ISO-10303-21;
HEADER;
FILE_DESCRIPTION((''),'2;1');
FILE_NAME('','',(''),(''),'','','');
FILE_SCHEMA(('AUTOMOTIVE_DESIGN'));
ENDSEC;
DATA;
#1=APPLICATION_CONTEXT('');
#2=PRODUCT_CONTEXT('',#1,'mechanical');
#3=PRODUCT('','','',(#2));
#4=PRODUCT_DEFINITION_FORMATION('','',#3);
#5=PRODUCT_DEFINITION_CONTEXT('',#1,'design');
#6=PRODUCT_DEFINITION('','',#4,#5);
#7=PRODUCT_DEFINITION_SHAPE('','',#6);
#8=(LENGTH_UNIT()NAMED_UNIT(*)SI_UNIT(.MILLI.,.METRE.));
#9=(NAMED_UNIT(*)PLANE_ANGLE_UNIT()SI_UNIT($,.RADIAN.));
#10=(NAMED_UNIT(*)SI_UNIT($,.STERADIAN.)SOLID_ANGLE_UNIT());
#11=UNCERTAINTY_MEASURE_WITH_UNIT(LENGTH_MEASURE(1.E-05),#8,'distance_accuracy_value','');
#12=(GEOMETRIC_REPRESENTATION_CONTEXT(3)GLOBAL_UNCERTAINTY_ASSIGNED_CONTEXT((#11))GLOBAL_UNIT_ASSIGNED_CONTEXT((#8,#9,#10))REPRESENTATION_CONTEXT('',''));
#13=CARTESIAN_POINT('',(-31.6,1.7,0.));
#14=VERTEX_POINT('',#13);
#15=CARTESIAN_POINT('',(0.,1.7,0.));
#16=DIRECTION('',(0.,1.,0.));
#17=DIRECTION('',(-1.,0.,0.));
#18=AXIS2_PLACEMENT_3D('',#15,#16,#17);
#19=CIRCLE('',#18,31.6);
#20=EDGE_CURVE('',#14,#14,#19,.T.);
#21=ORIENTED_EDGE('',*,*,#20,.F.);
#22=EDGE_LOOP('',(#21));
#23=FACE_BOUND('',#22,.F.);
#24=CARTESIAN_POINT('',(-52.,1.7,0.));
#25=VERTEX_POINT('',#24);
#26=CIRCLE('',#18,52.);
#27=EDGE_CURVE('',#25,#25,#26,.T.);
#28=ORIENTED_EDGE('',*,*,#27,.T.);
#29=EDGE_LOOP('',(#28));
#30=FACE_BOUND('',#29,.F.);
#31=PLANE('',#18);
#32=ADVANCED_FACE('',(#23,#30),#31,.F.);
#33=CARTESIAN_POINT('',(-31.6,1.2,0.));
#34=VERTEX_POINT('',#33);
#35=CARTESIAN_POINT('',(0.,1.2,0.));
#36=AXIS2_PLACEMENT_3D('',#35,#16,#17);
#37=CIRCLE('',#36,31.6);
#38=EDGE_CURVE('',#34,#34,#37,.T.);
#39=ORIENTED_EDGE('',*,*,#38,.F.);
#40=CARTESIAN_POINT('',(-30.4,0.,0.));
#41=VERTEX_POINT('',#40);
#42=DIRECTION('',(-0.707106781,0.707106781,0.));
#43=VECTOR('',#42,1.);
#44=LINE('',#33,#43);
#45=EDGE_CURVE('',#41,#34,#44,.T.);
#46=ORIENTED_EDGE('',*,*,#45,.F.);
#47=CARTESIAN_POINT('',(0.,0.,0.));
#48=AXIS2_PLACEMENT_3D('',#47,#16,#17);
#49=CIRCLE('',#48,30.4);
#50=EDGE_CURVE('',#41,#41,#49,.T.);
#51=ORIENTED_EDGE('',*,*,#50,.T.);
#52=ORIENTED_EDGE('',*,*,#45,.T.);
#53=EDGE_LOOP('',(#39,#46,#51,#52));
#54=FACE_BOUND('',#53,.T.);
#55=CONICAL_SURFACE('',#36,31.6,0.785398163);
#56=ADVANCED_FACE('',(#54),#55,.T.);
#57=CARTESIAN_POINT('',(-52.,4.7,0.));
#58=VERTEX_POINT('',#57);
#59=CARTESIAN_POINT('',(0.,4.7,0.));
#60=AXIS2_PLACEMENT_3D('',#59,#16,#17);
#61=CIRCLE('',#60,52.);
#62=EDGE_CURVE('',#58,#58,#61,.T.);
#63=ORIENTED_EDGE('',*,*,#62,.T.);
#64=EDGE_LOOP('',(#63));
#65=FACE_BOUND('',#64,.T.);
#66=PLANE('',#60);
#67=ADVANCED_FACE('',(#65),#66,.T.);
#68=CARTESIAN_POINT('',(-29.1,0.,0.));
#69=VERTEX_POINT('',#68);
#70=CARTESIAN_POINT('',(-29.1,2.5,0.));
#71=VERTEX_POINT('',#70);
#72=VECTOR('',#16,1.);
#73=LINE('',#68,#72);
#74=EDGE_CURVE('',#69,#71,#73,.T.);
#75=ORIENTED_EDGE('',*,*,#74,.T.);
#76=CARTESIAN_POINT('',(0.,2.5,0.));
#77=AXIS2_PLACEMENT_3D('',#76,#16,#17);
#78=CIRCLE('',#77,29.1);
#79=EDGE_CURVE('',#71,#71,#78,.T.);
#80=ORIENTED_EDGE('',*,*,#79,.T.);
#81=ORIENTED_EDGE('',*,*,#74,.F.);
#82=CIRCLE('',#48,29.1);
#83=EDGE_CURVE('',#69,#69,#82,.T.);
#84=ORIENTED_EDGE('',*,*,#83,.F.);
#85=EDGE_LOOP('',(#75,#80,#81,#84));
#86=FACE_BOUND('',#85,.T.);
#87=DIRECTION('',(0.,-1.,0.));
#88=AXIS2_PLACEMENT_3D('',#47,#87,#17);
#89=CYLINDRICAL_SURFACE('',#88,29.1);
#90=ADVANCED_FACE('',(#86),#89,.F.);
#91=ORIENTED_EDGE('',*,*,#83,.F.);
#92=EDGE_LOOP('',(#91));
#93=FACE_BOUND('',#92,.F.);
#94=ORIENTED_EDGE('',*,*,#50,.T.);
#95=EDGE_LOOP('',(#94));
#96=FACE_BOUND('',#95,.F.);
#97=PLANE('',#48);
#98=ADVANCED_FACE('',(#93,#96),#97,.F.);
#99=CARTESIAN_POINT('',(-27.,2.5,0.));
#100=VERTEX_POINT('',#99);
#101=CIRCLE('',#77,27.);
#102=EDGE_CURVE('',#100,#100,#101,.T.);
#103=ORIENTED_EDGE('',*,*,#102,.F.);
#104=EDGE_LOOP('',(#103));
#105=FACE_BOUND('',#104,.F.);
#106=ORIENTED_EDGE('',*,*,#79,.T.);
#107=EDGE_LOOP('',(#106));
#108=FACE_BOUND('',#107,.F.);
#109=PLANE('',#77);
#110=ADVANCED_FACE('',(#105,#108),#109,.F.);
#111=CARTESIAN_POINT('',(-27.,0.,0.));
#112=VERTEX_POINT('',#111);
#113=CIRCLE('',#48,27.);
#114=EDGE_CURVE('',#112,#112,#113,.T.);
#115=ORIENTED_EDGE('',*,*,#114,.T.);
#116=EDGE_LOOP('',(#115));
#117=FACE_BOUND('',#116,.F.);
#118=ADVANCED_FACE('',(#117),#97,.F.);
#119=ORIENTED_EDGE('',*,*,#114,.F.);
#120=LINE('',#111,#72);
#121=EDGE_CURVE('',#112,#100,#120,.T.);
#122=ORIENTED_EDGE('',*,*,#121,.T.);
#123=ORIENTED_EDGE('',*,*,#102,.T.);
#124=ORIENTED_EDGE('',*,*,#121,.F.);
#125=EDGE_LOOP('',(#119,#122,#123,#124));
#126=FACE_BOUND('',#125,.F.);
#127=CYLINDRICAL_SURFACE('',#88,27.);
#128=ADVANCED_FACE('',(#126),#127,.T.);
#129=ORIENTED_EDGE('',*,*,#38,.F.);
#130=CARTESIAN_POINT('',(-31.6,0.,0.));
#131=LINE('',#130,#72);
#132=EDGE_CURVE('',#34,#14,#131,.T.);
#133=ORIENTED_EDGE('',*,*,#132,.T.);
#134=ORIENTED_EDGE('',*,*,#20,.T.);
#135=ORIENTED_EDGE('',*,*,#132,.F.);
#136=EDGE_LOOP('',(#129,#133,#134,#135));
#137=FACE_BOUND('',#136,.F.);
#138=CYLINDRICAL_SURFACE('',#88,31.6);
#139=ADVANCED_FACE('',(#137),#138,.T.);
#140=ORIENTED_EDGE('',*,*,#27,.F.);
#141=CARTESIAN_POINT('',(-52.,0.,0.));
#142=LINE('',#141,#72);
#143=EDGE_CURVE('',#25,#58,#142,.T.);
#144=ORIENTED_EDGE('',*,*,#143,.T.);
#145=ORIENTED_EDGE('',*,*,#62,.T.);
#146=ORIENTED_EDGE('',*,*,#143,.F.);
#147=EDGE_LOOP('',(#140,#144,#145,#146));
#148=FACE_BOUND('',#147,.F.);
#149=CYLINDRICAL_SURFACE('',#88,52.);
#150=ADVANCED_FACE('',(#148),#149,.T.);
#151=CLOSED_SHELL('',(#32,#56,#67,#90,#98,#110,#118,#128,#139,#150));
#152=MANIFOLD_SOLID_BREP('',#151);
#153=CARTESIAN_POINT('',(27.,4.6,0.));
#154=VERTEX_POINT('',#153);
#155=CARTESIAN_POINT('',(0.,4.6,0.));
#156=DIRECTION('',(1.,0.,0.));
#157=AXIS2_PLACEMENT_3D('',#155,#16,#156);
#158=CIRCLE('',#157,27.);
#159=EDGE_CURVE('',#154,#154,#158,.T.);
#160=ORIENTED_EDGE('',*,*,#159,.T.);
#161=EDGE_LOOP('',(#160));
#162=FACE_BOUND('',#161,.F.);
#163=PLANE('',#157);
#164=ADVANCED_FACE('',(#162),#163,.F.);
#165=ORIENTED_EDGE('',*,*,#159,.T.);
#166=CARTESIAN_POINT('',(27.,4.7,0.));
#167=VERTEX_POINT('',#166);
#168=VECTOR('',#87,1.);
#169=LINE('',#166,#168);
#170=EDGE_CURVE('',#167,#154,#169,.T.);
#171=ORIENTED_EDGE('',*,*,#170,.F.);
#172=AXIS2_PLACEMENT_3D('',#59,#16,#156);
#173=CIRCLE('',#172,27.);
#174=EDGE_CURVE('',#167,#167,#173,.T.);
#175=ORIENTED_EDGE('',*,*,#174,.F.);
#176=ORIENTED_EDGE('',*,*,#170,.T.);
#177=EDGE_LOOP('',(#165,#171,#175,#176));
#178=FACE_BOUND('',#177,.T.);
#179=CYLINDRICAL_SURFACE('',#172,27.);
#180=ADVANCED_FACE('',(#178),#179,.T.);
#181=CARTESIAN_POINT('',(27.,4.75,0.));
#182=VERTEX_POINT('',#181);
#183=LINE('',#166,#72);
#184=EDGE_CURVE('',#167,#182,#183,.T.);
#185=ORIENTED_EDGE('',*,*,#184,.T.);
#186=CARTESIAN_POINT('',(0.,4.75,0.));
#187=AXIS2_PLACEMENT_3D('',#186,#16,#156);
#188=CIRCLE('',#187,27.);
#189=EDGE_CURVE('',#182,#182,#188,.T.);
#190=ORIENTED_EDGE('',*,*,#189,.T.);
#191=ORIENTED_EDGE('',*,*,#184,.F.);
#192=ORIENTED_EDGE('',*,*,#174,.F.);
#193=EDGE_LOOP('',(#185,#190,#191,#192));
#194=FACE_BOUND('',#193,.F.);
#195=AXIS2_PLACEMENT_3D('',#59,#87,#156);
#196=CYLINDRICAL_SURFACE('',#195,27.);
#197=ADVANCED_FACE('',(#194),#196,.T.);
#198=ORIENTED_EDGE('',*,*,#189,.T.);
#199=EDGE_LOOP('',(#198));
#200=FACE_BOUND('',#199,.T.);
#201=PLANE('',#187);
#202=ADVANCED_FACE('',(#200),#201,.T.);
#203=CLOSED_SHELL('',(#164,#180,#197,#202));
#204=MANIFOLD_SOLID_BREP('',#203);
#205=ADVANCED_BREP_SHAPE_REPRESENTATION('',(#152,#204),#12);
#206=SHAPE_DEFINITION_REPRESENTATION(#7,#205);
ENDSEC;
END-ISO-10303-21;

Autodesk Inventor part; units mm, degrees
ref_plane "YZ Plane" through (0, 0, 0) normal (1, 0, 0) x (0, 1, 0)
ref_plane "XZ Plane" through (0, 0, 0) normal (0, 1, 0) x (-1, 0, 0)
ref_plane "XY Plane" through (0, 0, 0) normal (0, 0, 1) x (1, 0, 0)
sketch "Эскиз6" plane through (0, 0, 0) normal (0, 1, 0) x (-1, 0, 0)
  circle A0 centre (0, 0) radius 27
  circle A1 centre (0, 0) radius 29.1
  circle A2 centre (0, 0) radius 52
  circle A3 centre (0, 0) radius 31.6
  dimension "d16" = 54
  dimension "d17" = 58.2
  dimension "d18" = 104
  dimension "d23" = 63.2
extrude "Выдавливание4" add sketch "Эскиз6" along normal blind 4.7 contours A0 | A1 | A2 | A3
extrude "Выдавливание5" cut sketch "Эскиз6" along normal blind 2.5 contours A1
extrude "Выдавливание6" cut sketch "Эскиз6" along normal blind 1.7 contours A2
chamfer "Фаска1" distance 1.2 angle 45 1 edges at (31.6, 0, 0)
sketch "Эскиз7" plane through (0, 4.7, 0) normal (0, 1, 0) x (1, 0, 0)
  circle A0 centre (0, 0) radius 27 projected
extrude "Выдавливание7" add sketch "Эскиз7" along normal blind 0.05 and the other way blind 0.1 separate body
properties part number "lid" material "Полиэтилен, низкая плотность"
